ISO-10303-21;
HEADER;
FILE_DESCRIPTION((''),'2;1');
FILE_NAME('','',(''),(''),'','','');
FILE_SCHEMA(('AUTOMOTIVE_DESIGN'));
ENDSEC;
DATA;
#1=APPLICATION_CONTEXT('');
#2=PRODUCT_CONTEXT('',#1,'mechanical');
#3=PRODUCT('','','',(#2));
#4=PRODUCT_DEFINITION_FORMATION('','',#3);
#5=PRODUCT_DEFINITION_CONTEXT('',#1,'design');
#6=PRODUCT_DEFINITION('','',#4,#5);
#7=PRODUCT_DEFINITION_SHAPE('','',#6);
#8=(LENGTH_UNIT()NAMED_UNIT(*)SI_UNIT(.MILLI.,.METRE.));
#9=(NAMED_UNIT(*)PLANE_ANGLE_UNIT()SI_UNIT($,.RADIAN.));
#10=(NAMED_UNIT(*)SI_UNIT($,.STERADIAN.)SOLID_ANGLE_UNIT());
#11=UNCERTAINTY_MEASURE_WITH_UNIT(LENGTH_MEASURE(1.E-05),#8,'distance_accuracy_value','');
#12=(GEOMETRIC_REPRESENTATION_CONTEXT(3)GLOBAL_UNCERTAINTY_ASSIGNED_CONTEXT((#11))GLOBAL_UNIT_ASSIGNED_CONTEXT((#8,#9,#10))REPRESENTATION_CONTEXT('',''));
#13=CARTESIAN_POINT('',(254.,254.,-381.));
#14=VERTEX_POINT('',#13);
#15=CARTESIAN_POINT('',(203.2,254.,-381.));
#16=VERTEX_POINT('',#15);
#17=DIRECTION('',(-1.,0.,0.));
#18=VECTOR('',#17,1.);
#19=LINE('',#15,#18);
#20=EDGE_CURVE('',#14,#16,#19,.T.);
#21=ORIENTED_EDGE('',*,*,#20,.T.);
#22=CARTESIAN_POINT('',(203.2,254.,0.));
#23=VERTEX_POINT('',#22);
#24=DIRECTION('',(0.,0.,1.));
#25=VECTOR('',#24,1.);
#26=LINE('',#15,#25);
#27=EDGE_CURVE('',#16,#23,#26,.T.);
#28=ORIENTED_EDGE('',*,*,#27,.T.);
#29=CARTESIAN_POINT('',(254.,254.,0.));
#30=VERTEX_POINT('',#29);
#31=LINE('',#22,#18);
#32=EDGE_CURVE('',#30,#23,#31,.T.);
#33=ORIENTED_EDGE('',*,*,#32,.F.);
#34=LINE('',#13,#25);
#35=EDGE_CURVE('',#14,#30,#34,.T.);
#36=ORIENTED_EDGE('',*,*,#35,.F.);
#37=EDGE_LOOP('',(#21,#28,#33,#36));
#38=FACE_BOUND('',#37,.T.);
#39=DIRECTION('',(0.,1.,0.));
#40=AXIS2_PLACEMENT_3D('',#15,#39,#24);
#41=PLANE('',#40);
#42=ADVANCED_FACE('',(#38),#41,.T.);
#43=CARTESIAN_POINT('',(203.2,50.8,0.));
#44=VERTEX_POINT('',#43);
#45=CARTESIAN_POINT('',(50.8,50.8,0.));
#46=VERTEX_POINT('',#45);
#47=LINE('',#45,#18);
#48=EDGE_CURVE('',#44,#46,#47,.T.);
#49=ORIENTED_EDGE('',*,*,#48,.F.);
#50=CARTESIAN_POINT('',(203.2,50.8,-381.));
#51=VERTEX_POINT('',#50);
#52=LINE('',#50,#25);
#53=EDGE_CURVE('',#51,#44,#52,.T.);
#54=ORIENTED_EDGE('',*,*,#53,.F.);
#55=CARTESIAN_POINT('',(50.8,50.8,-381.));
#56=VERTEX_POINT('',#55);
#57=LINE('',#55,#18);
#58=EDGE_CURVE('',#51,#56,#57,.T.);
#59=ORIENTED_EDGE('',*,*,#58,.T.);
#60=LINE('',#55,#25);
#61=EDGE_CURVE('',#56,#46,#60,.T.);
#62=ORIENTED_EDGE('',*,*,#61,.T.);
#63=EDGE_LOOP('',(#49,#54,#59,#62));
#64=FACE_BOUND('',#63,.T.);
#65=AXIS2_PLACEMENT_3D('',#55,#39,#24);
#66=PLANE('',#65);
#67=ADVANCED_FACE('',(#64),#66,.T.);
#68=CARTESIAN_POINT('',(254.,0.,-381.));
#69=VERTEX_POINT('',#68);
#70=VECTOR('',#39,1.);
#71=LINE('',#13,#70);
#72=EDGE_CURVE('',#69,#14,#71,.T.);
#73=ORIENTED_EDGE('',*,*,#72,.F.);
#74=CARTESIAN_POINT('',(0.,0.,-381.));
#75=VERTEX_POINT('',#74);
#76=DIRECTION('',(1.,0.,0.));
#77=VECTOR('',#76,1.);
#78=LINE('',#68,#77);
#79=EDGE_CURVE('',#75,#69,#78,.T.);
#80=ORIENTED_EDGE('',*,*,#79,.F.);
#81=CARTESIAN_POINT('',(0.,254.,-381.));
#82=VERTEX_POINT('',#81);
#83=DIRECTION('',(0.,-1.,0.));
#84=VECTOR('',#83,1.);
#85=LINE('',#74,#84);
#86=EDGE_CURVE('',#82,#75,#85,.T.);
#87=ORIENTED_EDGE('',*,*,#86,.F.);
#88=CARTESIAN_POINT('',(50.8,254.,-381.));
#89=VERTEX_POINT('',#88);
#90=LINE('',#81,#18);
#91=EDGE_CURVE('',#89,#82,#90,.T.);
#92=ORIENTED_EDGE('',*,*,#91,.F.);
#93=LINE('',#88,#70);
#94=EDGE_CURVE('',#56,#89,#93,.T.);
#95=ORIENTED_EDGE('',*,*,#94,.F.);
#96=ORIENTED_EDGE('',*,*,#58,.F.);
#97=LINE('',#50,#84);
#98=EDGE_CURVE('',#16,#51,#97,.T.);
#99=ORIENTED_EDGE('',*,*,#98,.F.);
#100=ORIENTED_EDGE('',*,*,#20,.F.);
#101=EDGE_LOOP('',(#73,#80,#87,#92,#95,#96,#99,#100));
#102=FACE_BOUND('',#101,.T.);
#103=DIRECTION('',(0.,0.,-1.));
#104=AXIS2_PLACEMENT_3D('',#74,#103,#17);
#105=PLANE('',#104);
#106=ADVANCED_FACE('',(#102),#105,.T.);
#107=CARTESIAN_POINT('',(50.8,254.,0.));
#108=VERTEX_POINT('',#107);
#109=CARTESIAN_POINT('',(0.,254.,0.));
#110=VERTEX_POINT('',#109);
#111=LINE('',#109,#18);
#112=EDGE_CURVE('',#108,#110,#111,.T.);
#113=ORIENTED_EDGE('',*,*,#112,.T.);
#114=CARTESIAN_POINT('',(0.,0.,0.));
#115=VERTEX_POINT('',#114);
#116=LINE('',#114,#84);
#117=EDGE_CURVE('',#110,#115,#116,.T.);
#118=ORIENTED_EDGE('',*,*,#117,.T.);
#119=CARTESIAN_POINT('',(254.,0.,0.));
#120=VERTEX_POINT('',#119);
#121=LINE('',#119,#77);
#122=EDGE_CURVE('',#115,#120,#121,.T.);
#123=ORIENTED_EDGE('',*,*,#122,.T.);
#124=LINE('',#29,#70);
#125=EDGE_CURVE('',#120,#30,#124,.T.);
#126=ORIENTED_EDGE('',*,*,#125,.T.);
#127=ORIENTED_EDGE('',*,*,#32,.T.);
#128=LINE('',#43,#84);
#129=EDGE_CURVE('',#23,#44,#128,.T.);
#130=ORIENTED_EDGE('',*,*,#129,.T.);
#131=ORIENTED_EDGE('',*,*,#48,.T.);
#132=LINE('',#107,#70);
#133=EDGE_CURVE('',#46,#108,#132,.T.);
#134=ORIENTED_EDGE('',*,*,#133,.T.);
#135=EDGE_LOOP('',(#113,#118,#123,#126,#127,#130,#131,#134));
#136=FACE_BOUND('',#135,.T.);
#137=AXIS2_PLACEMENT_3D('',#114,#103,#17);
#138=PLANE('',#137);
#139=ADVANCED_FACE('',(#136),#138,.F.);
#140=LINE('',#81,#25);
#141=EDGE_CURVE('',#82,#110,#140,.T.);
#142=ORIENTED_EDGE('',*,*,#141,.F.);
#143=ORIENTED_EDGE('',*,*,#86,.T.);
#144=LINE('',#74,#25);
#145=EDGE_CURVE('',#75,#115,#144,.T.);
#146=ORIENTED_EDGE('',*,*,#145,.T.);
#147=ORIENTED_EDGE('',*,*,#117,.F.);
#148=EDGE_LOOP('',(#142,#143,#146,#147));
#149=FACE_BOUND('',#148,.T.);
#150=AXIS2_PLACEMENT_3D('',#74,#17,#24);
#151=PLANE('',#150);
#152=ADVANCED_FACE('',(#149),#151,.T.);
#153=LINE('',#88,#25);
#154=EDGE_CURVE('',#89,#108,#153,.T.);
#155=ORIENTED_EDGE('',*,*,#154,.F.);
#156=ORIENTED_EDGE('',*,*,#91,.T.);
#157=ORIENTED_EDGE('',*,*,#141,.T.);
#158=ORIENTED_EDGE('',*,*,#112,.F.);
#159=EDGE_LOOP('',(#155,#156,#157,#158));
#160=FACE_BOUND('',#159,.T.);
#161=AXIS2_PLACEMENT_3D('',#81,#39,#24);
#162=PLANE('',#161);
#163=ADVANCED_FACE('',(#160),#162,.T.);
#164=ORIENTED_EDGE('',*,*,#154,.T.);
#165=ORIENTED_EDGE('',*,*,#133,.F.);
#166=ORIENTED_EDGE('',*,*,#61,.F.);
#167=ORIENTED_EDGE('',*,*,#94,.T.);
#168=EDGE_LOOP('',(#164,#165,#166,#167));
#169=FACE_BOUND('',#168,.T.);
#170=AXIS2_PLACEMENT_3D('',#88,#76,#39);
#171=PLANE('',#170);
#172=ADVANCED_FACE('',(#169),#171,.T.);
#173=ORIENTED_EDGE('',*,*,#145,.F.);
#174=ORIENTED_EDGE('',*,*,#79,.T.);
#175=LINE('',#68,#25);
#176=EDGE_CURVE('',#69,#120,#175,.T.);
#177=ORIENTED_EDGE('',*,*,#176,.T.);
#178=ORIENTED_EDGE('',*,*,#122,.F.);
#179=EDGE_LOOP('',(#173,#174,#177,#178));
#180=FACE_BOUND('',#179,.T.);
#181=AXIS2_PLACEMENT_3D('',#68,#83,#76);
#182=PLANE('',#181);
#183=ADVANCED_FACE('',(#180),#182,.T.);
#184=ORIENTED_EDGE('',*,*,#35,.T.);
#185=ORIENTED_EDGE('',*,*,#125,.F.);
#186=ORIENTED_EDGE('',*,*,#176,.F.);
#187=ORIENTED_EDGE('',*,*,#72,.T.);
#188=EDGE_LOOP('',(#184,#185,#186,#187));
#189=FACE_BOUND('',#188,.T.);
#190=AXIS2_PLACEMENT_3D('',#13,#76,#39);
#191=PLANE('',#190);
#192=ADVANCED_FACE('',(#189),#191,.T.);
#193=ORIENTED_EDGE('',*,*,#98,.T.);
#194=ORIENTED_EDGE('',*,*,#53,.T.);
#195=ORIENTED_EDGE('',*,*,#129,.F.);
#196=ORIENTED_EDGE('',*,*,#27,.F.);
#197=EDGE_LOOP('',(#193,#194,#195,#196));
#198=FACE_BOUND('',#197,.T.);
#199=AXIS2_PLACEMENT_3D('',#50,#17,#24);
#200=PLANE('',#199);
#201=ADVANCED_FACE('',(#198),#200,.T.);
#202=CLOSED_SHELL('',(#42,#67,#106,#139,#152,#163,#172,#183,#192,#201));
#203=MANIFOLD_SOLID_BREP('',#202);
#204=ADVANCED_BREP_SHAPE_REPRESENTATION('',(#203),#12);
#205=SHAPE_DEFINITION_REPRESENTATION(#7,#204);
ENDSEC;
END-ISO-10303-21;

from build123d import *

# Parameters (mm, degrees)
BOSS_EXTRUDE1_DEPTH = 381


with BuildPart() as part:
    # Sketch1 → Boss-Extrude1 (new body)
    with BuildSketch(Plane.XY):
        Polygon((0, 0), (0, 254), (50.8, 254), (50.8, 50.8), (203.2, 50.8), (203.2, 254), (254, 254), (254, 0), align=None)
    extrude(amount=-BOSS_EXTRUDE1_DEPTH)


solid = part.part
